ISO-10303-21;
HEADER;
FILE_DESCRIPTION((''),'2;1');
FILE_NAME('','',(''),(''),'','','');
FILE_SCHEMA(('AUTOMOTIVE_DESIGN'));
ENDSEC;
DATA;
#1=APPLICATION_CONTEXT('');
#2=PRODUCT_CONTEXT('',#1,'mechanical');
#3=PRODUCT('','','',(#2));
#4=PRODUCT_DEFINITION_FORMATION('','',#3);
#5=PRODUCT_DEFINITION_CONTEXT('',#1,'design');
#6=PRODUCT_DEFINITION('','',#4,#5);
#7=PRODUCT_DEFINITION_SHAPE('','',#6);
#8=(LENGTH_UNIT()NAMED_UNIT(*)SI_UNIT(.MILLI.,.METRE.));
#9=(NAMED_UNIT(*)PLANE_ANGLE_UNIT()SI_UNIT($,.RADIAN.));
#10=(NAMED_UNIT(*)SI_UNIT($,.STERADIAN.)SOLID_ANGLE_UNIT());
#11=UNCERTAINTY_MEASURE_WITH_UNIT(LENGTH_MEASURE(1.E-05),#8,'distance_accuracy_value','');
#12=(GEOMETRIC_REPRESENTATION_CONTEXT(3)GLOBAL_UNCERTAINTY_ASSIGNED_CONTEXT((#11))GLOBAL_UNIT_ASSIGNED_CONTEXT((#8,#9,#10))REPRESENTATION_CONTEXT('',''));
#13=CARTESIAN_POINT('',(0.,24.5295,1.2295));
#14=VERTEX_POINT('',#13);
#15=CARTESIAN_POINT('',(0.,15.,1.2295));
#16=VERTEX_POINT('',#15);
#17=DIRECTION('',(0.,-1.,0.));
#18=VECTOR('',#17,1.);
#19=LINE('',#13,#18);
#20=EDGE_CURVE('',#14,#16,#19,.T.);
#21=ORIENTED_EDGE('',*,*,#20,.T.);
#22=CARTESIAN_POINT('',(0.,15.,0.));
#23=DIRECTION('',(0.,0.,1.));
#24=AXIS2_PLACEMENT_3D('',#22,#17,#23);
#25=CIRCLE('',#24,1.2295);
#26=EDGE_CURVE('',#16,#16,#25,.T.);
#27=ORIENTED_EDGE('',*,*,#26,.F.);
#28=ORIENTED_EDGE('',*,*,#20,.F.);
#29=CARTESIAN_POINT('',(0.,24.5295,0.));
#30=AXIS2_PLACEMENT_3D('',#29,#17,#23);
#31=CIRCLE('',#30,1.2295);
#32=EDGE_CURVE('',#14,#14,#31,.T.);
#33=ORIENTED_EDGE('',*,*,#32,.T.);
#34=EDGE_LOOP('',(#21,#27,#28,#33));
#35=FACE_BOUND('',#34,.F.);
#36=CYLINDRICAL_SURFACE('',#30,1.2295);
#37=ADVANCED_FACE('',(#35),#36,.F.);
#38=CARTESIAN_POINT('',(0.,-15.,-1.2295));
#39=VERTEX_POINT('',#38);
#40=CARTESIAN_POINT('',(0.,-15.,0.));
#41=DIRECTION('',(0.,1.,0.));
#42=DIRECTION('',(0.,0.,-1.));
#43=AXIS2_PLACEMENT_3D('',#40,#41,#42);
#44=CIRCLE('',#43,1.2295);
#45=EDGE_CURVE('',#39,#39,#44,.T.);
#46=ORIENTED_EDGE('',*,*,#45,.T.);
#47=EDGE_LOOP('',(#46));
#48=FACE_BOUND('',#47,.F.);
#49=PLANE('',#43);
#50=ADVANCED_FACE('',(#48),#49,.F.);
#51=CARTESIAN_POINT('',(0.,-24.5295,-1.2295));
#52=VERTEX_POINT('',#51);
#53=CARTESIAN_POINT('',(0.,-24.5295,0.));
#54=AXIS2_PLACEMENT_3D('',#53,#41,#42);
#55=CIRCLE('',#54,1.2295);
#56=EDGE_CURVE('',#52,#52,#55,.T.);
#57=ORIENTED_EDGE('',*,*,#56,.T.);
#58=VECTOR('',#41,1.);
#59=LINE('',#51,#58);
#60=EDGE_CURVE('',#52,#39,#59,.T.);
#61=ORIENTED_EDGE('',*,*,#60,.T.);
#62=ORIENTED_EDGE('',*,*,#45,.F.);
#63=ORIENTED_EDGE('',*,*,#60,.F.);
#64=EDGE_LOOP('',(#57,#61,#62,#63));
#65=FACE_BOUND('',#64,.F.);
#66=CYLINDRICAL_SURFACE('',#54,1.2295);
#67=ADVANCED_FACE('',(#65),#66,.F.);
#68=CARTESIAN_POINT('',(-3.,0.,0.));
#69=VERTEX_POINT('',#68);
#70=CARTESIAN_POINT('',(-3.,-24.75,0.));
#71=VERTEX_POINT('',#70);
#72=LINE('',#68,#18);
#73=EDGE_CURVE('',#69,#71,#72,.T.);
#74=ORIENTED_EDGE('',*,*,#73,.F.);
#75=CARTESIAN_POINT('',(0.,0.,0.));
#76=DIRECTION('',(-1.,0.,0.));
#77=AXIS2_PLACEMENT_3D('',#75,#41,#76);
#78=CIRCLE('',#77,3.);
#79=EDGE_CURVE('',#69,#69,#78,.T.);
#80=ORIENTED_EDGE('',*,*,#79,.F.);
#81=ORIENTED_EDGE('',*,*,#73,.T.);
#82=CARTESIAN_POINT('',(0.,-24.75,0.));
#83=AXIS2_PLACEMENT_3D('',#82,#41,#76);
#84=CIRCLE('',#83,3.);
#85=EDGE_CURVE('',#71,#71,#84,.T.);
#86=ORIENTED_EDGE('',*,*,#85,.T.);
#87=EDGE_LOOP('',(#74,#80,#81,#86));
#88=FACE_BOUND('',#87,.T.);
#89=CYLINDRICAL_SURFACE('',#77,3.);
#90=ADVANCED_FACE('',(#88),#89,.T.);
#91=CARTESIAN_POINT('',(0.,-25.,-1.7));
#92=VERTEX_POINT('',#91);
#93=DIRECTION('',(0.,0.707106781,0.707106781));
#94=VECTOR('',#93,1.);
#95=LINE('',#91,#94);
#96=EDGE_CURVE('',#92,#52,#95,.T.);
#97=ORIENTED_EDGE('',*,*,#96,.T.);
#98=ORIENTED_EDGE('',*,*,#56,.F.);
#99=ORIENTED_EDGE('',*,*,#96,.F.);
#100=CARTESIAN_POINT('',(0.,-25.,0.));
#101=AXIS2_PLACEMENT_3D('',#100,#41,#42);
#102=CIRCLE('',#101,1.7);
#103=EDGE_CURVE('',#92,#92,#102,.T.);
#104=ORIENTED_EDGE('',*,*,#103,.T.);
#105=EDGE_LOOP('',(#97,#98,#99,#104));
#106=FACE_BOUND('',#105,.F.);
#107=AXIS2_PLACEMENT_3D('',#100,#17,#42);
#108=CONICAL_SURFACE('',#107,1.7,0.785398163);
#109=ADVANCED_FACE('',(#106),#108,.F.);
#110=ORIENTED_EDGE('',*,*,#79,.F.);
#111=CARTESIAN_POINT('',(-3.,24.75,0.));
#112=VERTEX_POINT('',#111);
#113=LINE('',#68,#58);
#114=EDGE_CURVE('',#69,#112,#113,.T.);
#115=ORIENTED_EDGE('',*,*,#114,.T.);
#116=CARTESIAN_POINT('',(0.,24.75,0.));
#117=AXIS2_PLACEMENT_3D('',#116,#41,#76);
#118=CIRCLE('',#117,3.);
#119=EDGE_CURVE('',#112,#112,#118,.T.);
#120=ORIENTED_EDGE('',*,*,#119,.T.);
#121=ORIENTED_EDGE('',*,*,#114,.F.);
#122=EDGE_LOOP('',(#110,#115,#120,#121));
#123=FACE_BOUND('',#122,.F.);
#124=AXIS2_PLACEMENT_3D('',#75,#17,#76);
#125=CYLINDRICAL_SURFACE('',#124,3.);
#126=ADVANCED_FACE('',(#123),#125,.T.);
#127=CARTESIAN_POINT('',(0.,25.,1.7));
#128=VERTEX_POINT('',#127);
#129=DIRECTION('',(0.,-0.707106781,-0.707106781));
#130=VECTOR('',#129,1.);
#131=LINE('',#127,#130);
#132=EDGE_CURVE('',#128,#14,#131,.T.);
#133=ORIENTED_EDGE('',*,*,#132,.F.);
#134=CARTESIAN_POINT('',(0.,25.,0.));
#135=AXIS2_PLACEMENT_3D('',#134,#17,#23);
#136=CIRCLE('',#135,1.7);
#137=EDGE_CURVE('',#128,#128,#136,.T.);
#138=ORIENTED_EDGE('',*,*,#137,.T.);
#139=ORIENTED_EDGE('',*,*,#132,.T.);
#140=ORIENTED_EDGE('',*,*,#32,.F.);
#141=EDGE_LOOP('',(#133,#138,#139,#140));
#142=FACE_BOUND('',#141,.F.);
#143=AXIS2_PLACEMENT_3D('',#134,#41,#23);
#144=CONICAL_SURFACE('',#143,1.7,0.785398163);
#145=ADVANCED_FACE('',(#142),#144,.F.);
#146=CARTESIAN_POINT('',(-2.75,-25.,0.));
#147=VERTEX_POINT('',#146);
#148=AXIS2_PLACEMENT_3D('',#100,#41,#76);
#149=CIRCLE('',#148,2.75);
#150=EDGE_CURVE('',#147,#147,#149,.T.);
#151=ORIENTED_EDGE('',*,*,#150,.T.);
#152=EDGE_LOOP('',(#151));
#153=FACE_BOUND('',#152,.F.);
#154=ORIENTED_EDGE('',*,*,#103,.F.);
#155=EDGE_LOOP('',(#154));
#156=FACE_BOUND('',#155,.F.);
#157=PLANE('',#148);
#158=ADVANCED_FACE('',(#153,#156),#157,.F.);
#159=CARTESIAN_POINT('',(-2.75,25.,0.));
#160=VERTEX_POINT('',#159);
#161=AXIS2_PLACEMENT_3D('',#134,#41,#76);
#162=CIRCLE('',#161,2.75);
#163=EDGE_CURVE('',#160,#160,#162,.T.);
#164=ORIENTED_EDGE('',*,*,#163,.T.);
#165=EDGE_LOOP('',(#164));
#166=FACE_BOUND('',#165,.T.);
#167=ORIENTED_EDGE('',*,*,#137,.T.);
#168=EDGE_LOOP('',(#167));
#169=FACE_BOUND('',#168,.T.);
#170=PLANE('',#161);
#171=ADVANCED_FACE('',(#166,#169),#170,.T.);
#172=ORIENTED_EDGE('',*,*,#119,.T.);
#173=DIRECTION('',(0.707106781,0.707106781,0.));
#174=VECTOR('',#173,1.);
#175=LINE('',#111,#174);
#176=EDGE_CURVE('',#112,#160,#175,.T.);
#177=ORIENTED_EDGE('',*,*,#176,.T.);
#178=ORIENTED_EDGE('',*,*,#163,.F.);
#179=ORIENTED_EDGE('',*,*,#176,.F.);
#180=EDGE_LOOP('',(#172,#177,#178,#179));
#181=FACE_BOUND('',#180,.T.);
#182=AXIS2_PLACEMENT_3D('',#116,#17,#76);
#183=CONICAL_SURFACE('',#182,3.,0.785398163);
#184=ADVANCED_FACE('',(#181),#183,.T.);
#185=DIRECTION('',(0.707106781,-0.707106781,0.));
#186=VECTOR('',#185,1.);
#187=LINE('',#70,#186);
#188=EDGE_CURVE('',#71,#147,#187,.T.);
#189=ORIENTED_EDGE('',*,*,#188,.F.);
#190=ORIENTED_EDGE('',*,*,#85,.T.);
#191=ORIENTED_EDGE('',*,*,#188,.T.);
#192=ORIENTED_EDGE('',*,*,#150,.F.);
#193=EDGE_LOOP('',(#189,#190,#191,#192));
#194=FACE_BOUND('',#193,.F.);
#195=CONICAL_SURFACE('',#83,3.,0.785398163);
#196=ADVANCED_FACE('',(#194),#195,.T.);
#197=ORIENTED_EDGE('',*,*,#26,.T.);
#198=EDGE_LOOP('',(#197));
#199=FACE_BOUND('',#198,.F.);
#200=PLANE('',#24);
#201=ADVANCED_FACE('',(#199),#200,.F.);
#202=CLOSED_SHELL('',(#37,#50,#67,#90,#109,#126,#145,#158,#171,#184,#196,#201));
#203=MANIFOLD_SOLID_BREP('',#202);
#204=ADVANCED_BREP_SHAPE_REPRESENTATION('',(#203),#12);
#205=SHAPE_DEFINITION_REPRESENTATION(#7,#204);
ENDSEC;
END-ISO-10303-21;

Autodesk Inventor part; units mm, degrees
ref_plane "YZ Plane" through (0, 0, 0) normal (1, 0, 0) x (0, 1, 0)
ref_plane "XZ Plane" through (0, 0, 0) normal (0, 1, 0) x (-1, 0, 0)
ref_plane "XY Plane" through (0, 0, 0) normal (0, 0, 1) x (1, 0, 0)
sketch "スケッチ1" plane through (0, 0, 0) normal (0, 1, 0) x (-1, 0, 0)
  circle A0 centre (0, 0) radius 3
  dimension "d0" = 6
extrude "押し出し1" add sketch "スケッチ1" along normal mid plane 50
sketch "スケッチ2" plane through (0, 25, 0) normal (0, 1, 0) x (1, 0, 0)
  point P0 (0, 0)
  point P1 (0, 0)
hole "穴1" at (0, 25, 0) direction (0, -1, 0) diameter 2.459 depth 10 countersink diameter 3.4 countersink angle 90 thread size "M3x0.5" class "6H" standard "ISO Metric profile"
sketch "スケッチ3" plane through (0, -25, 0) normal (0, -1, 0) x (1, 0, 0)
  point P0 (0, 0)
  point P1 (0, 0)
hole "穴2" at (0, -25, 0) direction (0, 1, 0) diameter 2.459 depth 10 countersink diameter 3.4 countersink angle 90 thread size "M3x0.5" class "6H" standard "ISO Metric profile"
chamfer "面取り1" distance 0.25 angle 45 2 edges at (3, -25, 0) (3, 25, 0)
properties part number "Spacer_M3D6L45" material "アルミニウム 6061"
